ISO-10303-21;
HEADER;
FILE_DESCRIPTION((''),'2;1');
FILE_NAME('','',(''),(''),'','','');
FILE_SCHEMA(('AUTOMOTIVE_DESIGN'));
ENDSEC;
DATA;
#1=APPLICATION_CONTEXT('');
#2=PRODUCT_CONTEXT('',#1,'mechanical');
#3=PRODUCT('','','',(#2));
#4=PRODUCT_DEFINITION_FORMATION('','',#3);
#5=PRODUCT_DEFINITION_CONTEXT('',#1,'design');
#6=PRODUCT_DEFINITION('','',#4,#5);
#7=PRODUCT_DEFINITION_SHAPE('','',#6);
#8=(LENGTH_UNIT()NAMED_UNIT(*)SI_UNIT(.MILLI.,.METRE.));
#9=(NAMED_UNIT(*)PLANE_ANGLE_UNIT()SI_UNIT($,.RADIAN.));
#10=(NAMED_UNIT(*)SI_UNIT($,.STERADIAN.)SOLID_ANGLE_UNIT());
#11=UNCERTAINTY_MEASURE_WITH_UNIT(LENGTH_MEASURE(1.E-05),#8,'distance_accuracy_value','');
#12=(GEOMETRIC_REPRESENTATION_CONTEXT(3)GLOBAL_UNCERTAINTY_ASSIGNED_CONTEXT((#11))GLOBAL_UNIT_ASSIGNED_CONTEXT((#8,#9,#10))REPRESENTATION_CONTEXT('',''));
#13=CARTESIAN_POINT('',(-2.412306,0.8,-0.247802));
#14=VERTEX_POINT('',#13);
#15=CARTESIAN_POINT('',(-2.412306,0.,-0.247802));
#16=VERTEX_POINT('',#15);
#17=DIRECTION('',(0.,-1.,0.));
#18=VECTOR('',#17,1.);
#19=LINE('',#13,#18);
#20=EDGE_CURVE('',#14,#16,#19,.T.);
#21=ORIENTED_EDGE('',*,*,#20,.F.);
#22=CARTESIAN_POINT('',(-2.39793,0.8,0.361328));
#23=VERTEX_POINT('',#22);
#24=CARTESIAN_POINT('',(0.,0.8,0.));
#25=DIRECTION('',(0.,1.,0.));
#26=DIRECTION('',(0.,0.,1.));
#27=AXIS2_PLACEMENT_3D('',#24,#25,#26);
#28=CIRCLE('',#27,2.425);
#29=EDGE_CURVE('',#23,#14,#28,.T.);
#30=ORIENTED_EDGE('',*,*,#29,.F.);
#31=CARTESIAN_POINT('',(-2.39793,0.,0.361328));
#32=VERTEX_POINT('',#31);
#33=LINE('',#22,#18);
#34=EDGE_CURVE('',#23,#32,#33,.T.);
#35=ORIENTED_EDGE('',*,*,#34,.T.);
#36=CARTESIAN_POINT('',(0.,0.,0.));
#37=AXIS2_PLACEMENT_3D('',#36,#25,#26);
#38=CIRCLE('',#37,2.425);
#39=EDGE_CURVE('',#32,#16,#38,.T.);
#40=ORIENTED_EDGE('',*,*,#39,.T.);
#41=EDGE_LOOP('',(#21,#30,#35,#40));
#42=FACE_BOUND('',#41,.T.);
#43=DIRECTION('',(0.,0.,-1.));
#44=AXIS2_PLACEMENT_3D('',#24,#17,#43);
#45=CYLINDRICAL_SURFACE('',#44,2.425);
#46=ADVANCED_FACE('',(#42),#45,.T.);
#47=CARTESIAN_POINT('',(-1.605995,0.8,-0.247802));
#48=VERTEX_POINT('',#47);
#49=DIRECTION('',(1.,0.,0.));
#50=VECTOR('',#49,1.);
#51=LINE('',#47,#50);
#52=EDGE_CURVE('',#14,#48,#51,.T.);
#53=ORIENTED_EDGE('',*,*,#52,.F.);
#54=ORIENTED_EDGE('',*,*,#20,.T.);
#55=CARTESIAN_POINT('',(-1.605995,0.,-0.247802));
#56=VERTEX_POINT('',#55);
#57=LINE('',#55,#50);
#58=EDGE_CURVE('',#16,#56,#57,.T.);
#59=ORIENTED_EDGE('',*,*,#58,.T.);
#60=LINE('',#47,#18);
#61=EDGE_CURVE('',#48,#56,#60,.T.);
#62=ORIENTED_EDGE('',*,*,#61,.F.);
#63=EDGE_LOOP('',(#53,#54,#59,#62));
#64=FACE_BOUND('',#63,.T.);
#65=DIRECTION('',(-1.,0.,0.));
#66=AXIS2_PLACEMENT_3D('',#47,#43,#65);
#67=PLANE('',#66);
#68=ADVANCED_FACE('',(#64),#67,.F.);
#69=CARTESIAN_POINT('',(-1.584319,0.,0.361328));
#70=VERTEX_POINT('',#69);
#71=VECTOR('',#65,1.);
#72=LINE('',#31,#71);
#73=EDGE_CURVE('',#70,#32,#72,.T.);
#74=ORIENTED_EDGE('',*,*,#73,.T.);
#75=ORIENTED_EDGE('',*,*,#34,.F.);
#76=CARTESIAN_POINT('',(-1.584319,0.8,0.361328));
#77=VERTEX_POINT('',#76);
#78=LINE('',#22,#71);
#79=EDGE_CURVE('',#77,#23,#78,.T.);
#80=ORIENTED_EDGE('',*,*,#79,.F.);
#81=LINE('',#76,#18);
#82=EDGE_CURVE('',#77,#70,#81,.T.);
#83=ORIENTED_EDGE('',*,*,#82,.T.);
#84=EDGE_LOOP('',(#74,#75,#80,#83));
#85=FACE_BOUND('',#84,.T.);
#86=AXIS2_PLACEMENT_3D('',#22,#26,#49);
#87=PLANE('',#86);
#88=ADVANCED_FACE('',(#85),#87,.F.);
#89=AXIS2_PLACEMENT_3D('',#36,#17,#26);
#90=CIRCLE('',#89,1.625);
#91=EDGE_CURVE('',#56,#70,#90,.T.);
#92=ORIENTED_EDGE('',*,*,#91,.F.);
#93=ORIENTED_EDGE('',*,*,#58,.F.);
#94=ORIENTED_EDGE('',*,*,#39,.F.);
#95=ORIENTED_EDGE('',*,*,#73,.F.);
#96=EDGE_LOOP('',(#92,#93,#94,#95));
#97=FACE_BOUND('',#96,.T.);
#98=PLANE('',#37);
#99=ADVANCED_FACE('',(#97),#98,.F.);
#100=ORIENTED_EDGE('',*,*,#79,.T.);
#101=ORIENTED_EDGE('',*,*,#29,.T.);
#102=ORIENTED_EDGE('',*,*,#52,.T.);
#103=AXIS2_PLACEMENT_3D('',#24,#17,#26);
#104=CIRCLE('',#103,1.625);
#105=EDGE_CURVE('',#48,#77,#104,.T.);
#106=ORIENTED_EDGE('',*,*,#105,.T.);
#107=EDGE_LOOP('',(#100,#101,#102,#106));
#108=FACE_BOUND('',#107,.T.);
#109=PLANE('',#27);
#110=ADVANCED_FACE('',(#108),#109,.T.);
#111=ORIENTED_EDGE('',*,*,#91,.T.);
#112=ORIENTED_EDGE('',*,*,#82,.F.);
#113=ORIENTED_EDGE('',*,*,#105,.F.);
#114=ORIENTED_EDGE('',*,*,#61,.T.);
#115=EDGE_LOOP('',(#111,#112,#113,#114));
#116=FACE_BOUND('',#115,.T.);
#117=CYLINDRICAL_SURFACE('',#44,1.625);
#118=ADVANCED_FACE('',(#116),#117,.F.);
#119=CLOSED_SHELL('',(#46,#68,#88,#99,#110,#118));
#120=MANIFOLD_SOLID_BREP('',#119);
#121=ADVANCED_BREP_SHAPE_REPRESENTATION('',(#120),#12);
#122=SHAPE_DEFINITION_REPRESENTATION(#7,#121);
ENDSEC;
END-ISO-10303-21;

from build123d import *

# Parameters (mm, degrees)
EXTRUDE_1_DEPTH = 0.8


with BuildPart() as part:
    # 草图1 → 凸台-拉伸1 (new body)
    with BuildSketch(Plane(origin=(0, 0, 0), x_dir=(1, 0, 0), z_dir=(0, 1, 0))):
        with BuildLine():
            Line((-1.605994786, 0.247801833), (-2.412305796, 0.247801833))
            ThreePointArc((-2.412305796, 0.247801833), (2.424324915, 0.057216323), (-2.397929768, -0.361327866))
            Line((-2.397929768, -0.361327866), (-1.584319151, -0.361327866))
            ThreePointArc((-1.584319151, -0.361327866), (1.623972137, 0.057788393), (-1.605994786, 0.247801833))
        make_face()
    extrude(amount=EXTRUDE_1_DEPTH)


solid = part.part
